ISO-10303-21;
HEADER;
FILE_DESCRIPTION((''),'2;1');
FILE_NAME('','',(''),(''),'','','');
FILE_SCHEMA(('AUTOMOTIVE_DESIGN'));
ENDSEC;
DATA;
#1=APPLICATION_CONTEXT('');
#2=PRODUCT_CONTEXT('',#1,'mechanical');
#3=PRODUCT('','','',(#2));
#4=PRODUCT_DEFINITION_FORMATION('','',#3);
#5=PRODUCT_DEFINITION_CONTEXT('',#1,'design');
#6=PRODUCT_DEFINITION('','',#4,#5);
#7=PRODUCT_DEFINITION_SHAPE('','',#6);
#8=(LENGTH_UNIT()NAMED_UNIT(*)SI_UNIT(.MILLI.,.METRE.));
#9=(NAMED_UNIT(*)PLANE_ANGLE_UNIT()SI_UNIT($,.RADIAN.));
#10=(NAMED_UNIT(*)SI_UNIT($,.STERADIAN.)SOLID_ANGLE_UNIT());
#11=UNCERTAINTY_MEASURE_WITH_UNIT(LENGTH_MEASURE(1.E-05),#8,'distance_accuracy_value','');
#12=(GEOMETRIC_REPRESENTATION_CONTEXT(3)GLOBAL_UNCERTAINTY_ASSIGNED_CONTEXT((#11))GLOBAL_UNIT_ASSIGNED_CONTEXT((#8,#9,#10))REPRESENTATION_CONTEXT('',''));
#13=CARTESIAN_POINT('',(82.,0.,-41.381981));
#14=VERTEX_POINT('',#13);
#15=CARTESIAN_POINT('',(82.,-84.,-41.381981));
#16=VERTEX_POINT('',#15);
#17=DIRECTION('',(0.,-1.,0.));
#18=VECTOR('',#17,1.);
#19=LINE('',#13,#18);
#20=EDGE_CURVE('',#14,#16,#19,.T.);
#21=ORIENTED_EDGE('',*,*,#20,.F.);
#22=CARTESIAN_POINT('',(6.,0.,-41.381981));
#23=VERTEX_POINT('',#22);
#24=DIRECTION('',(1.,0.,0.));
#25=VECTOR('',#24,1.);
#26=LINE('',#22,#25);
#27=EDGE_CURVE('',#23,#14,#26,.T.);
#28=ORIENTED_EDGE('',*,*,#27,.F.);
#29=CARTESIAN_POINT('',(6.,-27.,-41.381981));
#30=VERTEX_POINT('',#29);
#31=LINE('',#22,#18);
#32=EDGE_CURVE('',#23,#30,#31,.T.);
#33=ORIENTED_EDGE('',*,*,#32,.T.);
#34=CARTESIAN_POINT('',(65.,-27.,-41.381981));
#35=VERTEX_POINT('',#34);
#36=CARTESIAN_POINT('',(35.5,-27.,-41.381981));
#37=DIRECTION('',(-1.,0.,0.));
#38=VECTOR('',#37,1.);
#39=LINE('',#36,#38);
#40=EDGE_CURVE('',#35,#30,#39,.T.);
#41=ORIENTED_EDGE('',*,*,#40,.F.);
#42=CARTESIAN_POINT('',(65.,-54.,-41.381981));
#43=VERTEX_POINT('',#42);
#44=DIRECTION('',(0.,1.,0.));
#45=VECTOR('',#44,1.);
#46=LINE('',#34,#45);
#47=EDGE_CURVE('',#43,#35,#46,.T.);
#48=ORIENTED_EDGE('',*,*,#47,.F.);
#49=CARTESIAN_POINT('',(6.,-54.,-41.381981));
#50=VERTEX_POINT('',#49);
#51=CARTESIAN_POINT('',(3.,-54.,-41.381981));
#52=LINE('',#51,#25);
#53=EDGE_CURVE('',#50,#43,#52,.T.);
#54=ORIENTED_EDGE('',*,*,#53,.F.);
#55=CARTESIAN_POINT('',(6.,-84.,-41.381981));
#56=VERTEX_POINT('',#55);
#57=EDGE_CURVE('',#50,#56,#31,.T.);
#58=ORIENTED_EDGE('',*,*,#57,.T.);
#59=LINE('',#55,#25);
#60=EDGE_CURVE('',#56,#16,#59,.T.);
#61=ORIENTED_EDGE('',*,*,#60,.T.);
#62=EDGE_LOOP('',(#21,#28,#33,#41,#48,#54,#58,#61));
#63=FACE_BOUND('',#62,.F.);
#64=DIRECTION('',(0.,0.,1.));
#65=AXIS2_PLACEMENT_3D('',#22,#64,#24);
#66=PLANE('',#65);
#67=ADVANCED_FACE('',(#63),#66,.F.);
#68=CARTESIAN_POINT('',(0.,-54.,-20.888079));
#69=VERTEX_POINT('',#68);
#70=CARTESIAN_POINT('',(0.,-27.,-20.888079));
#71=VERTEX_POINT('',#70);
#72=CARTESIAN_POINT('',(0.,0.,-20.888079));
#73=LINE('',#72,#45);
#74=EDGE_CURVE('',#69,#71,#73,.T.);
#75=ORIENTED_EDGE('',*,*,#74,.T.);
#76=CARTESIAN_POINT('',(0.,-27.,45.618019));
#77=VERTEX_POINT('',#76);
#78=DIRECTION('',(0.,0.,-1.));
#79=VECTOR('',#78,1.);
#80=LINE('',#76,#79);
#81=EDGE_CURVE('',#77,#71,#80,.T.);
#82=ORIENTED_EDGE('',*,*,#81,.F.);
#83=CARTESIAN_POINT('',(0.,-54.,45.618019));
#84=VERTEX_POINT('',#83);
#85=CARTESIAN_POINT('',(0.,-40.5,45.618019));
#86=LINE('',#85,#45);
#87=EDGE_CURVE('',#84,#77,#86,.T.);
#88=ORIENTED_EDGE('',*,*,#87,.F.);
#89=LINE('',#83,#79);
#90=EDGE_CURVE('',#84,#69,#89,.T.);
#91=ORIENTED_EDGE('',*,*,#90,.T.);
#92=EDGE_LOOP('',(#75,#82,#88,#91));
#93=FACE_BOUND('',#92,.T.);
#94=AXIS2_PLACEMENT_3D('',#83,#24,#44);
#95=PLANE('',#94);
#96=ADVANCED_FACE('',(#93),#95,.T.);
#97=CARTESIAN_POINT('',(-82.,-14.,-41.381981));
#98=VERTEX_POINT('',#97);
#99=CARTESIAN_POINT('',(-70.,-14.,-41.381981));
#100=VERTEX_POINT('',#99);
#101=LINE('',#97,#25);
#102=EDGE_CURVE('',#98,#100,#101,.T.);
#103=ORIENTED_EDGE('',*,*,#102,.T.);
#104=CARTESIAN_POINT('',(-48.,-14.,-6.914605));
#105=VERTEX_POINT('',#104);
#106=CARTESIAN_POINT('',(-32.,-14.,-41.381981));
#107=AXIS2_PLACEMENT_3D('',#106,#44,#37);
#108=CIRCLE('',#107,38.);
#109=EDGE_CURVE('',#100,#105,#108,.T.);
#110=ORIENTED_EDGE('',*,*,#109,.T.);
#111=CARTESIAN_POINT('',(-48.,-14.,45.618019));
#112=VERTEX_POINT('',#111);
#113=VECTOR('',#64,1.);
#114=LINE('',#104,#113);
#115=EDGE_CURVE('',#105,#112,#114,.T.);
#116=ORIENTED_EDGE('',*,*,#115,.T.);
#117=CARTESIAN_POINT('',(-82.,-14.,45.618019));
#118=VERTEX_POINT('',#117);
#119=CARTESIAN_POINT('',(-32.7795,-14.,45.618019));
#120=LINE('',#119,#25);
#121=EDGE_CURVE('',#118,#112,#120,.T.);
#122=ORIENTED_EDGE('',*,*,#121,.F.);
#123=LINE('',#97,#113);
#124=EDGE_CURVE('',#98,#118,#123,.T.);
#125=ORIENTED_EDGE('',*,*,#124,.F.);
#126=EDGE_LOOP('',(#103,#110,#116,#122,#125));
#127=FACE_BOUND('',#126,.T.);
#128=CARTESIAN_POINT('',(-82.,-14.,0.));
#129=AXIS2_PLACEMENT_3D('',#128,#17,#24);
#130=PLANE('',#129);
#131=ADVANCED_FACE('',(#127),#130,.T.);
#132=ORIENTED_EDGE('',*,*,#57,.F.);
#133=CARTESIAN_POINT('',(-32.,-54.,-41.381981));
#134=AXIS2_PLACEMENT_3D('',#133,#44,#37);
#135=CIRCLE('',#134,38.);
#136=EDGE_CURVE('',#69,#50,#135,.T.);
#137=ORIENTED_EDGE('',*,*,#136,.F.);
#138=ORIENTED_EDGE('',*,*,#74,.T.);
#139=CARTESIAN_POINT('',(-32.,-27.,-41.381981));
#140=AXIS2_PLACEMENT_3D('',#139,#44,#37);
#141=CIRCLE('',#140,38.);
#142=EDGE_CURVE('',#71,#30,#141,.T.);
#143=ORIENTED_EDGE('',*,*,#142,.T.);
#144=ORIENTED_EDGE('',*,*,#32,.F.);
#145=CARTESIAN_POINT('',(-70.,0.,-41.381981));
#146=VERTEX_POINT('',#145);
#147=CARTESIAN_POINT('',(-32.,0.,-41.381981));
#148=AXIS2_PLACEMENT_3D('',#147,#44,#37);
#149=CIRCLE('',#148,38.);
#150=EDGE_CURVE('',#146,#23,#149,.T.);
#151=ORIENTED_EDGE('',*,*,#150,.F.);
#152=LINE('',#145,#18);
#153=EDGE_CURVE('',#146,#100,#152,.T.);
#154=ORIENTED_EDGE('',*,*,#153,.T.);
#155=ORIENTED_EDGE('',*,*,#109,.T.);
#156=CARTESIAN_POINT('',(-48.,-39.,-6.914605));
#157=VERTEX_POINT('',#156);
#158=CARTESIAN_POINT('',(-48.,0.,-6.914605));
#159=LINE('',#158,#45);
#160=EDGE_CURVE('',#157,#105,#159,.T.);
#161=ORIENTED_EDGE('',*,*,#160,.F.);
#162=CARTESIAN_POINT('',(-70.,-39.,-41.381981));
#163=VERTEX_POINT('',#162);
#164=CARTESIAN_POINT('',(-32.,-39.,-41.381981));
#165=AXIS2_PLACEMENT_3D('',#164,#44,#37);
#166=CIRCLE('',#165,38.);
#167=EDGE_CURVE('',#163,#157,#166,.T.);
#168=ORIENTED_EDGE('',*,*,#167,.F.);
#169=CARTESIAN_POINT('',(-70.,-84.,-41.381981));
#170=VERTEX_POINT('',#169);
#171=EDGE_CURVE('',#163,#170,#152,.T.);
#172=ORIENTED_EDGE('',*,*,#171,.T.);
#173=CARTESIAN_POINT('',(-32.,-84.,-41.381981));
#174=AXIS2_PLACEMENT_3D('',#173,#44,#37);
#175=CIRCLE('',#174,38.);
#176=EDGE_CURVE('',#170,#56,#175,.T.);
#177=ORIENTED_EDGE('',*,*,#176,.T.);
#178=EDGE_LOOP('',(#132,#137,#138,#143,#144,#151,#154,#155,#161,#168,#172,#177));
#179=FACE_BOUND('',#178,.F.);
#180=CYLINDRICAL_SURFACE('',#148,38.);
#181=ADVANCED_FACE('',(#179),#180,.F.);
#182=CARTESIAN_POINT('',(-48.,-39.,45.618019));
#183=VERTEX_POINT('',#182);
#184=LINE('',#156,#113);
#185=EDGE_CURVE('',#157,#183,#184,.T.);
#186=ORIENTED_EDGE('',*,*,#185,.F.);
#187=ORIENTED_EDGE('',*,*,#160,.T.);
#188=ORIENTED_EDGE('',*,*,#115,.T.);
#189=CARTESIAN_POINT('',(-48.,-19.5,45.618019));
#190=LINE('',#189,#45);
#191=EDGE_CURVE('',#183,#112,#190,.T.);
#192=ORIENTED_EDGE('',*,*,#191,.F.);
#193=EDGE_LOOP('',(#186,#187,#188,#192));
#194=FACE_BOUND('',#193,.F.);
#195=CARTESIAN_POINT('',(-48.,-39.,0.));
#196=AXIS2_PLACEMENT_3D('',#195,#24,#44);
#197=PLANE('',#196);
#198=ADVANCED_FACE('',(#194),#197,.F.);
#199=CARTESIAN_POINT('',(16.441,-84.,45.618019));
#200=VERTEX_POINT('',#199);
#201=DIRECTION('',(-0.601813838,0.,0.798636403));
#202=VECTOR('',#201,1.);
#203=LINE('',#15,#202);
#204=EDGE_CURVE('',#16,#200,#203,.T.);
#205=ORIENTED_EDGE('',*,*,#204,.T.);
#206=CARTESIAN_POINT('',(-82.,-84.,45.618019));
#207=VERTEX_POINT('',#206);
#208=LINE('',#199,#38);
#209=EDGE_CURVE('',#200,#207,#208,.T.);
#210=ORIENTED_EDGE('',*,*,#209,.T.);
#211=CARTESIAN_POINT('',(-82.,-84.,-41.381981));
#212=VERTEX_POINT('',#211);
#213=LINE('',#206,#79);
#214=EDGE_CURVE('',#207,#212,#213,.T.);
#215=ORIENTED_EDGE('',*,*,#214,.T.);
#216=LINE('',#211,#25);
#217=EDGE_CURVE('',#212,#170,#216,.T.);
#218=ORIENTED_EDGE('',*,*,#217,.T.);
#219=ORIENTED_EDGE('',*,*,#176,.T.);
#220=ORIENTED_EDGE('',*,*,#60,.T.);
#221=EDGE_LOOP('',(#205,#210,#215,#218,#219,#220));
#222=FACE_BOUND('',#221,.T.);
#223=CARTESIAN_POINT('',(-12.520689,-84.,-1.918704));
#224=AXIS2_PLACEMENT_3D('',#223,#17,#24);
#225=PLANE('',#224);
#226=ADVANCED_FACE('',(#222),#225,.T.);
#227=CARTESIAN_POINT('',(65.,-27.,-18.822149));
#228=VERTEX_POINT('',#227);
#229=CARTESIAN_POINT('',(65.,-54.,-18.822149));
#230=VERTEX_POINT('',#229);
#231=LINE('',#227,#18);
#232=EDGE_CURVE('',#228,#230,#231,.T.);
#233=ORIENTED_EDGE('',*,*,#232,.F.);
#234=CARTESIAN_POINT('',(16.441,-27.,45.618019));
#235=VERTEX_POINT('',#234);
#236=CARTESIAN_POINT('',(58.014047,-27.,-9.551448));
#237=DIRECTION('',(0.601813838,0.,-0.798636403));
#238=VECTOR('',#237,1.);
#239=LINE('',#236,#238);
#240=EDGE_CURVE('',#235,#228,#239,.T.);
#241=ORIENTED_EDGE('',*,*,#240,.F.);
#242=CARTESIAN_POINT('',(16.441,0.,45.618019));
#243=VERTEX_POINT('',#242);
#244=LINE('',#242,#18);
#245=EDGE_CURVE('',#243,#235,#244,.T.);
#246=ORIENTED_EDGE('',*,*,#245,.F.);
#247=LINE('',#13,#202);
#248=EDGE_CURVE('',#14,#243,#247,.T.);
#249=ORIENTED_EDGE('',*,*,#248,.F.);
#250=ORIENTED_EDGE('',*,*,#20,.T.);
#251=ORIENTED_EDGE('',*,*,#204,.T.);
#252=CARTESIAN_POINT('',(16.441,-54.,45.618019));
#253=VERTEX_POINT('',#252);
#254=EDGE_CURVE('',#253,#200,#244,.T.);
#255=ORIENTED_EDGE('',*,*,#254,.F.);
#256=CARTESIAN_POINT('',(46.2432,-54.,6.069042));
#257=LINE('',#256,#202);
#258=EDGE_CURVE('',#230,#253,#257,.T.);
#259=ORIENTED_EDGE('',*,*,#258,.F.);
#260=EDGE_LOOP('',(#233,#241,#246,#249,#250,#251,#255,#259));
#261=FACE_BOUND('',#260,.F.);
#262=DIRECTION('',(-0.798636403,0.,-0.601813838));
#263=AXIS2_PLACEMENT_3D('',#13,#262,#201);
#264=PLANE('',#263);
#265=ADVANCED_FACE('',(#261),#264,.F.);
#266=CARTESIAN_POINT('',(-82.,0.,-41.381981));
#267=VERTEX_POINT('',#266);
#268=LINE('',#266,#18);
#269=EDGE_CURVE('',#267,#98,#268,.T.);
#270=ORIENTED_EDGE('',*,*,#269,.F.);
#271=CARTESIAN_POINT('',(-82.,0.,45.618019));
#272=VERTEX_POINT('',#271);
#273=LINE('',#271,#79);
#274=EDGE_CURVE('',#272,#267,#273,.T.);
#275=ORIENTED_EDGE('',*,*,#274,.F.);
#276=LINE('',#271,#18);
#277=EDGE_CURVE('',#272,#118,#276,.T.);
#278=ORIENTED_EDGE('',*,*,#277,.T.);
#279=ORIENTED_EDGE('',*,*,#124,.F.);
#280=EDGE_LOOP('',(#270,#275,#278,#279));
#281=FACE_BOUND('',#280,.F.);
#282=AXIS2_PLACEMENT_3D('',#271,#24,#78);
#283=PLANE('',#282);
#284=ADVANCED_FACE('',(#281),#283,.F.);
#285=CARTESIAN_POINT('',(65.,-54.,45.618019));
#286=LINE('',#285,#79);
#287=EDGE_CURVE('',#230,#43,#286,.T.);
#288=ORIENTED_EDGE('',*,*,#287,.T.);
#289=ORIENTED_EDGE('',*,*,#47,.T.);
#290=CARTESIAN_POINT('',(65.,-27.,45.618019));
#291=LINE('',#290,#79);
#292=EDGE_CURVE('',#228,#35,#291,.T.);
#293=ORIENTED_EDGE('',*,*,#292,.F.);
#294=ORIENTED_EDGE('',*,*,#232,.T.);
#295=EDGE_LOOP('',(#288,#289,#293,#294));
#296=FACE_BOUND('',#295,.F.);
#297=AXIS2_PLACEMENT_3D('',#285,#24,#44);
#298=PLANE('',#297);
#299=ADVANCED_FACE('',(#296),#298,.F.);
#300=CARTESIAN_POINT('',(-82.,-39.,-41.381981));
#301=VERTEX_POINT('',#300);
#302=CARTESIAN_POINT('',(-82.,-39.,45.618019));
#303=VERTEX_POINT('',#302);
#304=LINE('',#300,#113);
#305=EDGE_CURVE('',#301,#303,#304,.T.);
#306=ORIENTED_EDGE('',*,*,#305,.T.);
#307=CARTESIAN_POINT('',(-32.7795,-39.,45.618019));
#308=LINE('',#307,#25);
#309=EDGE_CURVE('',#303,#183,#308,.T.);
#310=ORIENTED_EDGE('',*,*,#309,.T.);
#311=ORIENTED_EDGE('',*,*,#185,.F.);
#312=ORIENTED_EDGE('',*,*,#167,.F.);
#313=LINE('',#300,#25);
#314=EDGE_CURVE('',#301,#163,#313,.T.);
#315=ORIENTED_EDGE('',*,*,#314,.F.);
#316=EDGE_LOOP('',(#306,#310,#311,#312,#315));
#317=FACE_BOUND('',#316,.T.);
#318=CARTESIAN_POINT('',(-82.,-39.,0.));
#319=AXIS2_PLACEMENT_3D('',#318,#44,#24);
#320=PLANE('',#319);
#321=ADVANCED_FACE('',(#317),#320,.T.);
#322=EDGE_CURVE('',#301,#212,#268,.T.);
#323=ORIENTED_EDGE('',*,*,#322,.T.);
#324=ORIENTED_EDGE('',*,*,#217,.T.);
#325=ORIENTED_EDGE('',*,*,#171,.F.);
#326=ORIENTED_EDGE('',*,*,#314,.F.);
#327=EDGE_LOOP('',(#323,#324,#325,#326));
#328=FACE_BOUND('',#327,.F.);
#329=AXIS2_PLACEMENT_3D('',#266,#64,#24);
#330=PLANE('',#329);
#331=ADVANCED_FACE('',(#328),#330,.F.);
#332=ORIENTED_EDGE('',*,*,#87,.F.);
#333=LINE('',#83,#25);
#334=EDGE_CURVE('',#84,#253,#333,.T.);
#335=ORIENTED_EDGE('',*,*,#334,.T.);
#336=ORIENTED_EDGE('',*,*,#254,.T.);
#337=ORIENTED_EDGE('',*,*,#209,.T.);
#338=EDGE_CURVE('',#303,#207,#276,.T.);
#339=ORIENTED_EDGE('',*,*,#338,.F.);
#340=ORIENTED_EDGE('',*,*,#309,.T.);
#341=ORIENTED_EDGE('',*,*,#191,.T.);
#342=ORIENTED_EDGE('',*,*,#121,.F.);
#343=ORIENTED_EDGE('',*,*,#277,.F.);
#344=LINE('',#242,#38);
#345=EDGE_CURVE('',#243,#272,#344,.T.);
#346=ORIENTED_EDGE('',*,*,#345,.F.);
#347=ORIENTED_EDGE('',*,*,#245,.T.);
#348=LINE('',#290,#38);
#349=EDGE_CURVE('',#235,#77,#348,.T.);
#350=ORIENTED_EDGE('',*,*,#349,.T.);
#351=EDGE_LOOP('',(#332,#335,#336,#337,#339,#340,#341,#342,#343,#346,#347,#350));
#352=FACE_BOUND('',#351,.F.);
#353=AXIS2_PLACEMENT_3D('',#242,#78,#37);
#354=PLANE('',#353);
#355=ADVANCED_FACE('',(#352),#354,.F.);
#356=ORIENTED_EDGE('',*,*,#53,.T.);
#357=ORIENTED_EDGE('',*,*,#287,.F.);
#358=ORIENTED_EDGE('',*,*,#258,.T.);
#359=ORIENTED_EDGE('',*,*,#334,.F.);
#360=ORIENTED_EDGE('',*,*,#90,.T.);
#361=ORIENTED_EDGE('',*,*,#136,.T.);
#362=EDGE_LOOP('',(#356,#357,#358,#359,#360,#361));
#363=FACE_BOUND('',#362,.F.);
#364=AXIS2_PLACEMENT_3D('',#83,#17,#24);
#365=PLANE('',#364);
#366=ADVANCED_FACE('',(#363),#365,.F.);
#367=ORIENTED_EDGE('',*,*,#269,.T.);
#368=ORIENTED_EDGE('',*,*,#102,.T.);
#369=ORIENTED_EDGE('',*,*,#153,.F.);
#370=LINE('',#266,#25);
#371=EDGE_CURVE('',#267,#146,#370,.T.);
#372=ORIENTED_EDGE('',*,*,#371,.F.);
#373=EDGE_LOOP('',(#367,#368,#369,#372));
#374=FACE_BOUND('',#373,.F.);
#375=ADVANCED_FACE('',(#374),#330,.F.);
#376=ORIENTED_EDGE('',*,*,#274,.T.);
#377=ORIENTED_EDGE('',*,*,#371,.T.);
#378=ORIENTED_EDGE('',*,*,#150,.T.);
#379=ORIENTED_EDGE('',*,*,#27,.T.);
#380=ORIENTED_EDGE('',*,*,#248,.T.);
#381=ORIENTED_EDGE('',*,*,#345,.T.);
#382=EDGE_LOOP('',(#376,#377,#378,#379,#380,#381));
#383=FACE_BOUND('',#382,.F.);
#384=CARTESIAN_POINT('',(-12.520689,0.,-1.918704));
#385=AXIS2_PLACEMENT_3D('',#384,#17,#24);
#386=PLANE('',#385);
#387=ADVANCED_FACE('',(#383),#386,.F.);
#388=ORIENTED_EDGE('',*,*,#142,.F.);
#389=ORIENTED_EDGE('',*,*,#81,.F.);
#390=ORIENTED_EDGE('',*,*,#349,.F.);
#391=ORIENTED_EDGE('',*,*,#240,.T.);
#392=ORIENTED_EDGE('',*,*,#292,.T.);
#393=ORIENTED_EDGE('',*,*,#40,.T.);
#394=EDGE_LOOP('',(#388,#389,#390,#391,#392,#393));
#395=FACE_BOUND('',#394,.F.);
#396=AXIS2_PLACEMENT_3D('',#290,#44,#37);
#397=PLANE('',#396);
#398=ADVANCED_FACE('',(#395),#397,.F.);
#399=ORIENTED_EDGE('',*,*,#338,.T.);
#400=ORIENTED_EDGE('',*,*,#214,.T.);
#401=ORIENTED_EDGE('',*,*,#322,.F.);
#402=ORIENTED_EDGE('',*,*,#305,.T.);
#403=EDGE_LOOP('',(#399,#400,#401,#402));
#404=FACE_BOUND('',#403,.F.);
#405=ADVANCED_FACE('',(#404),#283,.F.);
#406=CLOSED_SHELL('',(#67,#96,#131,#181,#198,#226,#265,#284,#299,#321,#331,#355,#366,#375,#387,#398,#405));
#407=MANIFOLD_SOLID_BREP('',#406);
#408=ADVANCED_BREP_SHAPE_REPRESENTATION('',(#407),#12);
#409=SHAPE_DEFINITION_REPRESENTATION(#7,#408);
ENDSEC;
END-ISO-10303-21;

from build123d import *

# Parameters (mm, degrees)
F1_DEPTH      = 84
F2_W          = 34
F2_H          = 25
F3_DEPTH      = 94.8
F3_DEPTH_BACK = 151.8
F4_W          = 48.559
F4_H          = 27
F4_W_2        = 16.441
F5_DEPTH      = 360.4


with BuildPart() as f1:
    # F0 (on Front) → F1 (new body)
    with BuildSketch(Plane.XZ):
        with BuildLine():
            Line((0, 45.618019), (-82, 45.618019))
            Line((-82, 45.618019), (-82, -41.381981))
            Line((-82, -41.381981), (-70, -41.381981))
            ThreePointArc((-70, -41.381981), (-32, -3.381981), (6, -41.381981))
            Line((6, -41.381981), (82, -41.381981))
            Line((82, -41.381981), (16.441, 45.618019))
            Line((16.441, 45.618019), (0, 45.618019))
        make_face()
    extrude(amount=F1_DEPTH)

    # F2 (on Top) → F3 (cut, two sides)
    with BuildSketch(Plane.XY) as f3_sk:
        with Locations((-65, -26.5)):
            Rectangle(F2_W, F2_H)
    extrude(amount=F3_DEPTH, mode=Mode.SUBTRACT)
    extrude(f3_sk.sketch, amount=-F3_DEPTH_BACK, mode=Mode.SUBTRACT)

    # F4 (on face) → F5 (cut)
    with BuildSketch(Plane.XY.offset(45.618019)):
        with Locations((40.7205, -40.5)):
            Rectangle(F4_W, F4_H)
        with Locations((8.2205, -40.5)):
            Rectangle(F4_W_2, F4_H)
    extrude(amount=-F5_DEPTH, mode=Mode.SUBTRACT)


solid = f1.part
